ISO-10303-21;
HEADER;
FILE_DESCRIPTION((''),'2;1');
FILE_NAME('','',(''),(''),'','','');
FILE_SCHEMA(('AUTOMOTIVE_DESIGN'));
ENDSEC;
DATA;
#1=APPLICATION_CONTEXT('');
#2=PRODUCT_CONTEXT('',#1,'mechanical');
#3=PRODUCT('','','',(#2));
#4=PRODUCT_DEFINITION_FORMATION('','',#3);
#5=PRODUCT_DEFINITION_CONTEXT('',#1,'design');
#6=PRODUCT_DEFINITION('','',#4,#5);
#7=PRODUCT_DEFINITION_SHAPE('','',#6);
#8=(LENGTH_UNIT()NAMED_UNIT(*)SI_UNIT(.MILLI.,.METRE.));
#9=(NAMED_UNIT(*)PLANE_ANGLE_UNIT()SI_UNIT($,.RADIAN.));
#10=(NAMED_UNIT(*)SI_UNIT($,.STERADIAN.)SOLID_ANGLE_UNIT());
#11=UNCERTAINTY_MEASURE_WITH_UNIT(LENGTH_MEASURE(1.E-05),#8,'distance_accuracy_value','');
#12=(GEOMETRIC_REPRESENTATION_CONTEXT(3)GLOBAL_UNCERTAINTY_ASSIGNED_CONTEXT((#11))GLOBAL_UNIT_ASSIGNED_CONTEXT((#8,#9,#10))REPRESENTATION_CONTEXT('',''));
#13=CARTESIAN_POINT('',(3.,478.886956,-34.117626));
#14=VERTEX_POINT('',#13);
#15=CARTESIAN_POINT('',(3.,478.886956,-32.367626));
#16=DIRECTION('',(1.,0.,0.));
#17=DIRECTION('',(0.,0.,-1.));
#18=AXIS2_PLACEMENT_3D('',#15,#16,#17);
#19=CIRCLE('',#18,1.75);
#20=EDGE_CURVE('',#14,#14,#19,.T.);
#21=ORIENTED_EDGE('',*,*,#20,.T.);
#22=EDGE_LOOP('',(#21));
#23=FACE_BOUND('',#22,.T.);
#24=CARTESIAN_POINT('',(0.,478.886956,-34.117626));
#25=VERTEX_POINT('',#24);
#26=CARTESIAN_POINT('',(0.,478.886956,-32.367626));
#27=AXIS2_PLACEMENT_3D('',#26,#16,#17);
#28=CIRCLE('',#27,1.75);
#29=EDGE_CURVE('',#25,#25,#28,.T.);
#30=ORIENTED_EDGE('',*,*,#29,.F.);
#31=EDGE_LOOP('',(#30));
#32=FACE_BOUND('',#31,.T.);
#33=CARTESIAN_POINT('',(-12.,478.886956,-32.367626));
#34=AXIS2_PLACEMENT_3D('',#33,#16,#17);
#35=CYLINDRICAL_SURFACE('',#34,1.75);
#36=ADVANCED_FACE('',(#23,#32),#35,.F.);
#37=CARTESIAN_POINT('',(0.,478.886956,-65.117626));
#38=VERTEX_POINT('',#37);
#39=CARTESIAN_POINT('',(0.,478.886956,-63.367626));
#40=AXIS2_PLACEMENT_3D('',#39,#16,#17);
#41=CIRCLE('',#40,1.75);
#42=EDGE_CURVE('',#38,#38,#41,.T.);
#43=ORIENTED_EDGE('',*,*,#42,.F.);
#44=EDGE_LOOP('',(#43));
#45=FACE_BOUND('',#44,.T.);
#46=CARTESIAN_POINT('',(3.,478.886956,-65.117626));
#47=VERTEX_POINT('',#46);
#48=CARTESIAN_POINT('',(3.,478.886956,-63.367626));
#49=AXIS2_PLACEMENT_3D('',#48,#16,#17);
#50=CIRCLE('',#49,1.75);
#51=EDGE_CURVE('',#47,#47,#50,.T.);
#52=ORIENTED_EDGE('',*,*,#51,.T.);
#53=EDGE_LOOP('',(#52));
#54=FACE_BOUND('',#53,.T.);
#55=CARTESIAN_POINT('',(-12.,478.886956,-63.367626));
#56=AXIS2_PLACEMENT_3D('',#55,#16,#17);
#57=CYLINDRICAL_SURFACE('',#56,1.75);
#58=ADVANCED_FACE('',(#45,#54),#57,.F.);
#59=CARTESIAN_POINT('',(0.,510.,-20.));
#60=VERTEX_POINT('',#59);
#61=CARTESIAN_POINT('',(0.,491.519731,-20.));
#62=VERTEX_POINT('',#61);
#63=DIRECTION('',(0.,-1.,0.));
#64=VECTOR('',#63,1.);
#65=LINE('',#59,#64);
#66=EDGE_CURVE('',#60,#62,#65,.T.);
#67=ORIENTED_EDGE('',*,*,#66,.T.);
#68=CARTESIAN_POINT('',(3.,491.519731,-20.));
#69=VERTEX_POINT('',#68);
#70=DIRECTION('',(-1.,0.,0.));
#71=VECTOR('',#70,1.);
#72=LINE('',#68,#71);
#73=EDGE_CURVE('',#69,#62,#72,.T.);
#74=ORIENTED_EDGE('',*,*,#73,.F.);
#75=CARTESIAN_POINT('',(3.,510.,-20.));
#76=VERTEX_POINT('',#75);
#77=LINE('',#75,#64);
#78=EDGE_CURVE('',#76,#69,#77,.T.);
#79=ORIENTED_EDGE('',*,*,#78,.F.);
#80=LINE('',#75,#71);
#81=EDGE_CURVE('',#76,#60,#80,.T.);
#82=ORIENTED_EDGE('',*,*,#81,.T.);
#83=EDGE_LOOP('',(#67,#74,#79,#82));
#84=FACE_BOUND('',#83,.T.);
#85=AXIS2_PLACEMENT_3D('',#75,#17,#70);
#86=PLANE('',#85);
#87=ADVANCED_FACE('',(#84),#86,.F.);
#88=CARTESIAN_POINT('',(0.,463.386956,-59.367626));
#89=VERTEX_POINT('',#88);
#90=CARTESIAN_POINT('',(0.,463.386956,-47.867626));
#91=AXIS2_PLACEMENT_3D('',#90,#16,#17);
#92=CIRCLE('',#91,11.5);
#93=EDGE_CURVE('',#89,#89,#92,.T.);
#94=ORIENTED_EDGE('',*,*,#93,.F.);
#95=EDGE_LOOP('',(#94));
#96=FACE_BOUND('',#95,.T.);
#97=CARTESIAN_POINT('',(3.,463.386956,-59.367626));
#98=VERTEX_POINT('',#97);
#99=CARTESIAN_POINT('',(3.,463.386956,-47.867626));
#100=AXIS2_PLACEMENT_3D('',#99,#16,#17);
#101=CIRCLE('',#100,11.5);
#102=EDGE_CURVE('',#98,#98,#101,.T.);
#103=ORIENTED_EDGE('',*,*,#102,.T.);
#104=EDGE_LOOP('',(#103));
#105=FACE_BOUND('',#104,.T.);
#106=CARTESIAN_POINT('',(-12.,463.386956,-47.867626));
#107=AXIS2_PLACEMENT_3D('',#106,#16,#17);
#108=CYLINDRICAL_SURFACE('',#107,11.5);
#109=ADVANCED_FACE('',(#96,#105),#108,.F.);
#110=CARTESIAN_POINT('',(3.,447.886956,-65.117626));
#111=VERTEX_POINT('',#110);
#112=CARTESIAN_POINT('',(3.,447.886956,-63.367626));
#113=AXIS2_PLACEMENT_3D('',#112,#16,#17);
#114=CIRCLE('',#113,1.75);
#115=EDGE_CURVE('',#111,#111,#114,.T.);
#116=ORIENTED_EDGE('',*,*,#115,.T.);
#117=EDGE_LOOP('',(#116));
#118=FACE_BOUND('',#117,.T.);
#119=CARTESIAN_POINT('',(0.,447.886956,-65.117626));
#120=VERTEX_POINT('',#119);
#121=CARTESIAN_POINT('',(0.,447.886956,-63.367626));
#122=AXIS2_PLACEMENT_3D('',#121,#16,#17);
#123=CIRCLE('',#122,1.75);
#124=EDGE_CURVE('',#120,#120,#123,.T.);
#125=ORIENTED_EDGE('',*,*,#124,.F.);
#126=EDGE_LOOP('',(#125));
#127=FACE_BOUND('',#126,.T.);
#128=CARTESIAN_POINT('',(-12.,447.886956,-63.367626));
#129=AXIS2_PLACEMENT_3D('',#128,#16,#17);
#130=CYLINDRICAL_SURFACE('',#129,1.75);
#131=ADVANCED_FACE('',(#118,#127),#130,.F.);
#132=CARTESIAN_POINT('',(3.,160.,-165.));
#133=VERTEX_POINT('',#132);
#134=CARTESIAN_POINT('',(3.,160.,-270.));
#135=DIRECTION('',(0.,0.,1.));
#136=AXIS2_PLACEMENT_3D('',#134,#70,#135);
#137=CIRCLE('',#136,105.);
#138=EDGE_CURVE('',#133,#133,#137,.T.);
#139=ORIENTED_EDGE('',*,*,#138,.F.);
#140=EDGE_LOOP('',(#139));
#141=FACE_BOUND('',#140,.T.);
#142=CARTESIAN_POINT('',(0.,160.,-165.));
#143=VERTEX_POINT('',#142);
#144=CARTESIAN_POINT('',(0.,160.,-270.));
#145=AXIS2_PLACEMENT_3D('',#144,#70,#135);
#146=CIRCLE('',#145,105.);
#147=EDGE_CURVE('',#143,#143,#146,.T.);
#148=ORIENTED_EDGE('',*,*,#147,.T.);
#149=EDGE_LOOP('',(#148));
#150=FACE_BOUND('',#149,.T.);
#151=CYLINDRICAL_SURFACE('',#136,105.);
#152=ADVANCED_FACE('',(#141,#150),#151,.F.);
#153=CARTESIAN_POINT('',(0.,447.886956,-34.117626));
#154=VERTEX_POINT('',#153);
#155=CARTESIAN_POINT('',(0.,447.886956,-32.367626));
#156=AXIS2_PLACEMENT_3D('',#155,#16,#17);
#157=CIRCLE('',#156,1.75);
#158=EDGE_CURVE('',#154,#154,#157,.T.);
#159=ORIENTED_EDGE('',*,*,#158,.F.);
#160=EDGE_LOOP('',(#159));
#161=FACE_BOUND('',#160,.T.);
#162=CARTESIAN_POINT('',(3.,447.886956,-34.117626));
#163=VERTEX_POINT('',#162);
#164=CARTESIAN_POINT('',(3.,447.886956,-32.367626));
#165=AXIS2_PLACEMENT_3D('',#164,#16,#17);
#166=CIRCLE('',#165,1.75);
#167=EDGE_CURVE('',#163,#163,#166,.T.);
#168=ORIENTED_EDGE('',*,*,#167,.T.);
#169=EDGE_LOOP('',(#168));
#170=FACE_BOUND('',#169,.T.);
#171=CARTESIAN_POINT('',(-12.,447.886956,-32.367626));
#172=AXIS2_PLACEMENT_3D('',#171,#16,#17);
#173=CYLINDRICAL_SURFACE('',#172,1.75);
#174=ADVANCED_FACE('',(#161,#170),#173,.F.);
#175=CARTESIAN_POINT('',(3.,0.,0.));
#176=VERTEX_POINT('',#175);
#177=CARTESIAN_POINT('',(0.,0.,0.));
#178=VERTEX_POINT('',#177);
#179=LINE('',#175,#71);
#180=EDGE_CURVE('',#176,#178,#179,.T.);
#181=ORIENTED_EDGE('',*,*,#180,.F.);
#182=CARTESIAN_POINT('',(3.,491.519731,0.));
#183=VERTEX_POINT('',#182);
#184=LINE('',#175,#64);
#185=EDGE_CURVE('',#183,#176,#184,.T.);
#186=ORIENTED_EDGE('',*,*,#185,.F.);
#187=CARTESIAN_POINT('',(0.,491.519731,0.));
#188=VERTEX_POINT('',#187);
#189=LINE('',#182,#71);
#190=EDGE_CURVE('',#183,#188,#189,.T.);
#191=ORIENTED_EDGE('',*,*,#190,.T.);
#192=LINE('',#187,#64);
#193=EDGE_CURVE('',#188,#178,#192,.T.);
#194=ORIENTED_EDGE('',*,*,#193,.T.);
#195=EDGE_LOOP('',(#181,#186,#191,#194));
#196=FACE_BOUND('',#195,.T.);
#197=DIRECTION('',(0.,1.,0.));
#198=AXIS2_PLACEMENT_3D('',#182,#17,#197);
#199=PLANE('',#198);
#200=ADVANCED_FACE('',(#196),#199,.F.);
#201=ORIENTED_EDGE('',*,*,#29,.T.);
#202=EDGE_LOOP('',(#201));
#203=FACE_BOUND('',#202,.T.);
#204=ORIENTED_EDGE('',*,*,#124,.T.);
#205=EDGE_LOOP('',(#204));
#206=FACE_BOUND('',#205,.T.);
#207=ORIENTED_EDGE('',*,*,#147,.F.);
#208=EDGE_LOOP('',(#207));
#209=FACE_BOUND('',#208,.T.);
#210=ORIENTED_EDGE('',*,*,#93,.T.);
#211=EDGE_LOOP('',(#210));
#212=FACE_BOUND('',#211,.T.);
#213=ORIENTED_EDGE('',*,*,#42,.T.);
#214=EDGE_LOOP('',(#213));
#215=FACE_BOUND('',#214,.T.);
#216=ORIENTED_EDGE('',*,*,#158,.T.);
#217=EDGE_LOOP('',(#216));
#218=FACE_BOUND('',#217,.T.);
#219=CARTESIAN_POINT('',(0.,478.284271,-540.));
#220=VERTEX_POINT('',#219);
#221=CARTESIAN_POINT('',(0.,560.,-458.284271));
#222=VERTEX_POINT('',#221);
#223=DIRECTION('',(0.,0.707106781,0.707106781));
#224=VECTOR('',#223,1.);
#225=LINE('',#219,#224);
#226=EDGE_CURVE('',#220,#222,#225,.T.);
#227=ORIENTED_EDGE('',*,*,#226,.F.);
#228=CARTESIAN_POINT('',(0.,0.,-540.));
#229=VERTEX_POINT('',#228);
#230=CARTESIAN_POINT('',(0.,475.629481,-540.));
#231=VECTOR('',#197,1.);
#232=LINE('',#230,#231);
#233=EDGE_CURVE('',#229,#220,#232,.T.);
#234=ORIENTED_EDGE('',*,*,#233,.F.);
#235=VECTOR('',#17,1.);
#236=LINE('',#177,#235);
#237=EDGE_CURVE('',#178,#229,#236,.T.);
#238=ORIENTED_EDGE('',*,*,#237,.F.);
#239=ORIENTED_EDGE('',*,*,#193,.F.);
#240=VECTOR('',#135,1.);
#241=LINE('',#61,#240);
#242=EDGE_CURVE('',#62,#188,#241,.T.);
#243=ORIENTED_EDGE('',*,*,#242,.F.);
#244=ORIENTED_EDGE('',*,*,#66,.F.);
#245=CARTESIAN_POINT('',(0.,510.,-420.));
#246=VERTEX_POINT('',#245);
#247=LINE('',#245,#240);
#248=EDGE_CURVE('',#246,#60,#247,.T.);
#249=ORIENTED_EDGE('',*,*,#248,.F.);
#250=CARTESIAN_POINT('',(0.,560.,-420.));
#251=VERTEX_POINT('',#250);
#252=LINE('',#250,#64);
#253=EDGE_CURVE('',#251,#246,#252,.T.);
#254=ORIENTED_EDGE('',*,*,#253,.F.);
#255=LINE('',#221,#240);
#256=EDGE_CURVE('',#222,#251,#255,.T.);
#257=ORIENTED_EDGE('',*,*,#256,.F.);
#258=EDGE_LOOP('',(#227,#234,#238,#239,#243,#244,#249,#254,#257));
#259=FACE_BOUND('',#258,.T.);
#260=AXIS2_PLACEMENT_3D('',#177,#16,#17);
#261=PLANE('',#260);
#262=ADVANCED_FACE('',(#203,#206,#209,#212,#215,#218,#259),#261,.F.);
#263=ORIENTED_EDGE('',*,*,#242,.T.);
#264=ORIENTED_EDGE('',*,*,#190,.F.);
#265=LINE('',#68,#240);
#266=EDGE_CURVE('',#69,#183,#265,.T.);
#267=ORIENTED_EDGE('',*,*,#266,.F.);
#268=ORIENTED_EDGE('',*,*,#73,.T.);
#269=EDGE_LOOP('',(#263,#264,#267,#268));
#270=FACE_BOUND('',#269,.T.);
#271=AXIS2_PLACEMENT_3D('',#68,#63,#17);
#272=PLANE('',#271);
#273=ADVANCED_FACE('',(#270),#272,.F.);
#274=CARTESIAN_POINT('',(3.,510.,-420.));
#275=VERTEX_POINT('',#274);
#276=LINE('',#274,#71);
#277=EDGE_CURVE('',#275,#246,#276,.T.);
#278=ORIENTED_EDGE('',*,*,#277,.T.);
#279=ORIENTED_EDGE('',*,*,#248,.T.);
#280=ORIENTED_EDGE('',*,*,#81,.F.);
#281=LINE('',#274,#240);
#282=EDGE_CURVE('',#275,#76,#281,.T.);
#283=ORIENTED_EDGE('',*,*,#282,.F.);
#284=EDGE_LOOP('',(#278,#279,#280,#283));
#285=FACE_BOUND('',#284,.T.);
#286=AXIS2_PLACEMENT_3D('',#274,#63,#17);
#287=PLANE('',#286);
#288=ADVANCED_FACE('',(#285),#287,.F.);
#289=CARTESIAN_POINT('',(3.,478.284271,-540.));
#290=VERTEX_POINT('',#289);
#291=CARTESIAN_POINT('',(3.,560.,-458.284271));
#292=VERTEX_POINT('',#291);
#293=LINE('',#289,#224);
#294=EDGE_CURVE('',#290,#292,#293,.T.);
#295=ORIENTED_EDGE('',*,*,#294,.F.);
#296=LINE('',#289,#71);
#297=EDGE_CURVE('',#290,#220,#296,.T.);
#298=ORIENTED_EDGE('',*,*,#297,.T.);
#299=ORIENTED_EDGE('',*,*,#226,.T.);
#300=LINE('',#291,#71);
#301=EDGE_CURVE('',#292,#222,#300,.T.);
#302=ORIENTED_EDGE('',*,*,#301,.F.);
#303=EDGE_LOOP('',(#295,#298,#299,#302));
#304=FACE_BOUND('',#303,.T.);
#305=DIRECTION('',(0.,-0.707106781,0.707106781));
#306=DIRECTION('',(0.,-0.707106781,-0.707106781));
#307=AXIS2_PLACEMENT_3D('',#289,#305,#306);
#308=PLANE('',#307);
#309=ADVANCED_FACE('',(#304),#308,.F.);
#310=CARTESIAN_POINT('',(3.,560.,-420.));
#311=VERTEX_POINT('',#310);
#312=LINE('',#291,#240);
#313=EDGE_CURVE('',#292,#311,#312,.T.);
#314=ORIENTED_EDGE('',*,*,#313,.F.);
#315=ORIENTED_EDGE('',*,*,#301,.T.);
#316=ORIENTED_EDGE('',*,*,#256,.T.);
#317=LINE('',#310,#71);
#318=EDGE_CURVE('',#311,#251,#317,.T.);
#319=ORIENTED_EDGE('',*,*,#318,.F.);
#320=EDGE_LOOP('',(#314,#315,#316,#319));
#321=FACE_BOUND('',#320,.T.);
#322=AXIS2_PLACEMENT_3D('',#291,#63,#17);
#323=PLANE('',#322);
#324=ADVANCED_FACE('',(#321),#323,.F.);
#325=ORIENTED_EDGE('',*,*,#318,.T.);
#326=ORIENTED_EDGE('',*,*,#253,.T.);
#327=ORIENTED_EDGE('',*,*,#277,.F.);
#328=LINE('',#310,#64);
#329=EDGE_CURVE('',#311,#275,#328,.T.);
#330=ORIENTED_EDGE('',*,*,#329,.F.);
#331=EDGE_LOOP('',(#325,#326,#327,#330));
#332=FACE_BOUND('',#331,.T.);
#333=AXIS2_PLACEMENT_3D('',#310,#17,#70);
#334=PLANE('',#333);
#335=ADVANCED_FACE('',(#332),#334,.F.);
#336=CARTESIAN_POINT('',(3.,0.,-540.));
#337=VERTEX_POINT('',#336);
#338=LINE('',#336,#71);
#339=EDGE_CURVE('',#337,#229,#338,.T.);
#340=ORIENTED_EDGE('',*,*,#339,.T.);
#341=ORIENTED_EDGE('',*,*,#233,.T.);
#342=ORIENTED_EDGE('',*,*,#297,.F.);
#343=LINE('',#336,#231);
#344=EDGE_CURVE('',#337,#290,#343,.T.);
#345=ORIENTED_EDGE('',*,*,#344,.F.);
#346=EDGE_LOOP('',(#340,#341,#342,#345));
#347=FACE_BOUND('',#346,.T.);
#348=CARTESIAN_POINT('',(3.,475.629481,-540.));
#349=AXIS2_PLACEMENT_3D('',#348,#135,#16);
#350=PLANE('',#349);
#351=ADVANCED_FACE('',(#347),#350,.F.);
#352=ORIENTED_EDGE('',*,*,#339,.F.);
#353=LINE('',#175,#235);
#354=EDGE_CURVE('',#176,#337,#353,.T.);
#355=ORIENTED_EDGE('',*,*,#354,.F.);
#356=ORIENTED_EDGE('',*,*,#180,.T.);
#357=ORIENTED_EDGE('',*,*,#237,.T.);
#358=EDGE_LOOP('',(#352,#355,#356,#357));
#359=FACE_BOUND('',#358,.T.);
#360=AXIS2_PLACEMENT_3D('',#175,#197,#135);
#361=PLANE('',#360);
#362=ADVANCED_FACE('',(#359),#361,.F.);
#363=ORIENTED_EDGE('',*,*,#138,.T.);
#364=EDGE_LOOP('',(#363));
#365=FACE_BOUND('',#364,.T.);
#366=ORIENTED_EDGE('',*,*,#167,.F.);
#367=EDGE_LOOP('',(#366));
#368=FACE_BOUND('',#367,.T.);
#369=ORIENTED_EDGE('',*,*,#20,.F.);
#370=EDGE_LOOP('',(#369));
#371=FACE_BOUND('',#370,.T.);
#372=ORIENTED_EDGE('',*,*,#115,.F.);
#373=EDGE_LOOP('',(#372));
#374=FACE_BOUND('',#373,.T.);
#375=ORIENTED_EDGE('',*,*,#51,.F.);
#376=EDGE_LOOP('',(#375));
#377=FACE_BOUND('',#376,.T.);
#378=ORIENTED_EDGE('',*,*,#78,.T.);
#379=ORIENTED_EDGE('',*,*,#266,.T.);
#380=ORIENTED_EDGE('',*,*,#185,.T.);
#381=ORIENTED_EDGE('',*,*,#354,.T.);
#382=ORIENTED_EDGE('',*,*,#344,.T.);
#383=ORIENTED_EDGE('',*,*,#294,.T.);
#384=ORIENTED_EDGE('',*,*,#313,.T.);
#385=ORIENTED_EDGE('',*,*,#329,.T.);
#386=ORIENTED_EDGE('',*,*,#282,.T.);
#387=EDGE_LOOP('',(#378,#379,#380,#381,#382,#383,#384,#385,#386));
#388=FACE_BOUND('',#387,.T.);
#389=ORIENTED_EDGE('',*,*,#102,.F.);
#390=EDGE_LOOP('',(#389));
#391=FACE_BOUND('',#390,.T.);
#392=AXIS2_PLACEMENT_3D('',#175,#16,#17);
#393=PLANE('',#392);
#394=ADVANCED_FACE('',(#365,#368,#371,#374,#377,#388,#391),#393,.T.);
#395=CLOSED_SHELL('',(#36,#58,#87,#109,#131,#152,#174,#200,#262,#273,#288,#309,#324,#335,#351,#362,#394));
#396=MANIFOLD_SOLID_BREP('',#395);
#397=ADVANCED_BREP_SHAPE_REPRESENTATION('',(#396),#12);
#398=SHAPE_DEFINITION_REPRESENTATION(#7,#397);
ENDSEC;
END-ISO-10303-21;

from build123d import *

# Parameters (mm, degrees)
BOSS_EXTRUDE1_DEPTH = 3
SKETCH3_R           = 105
CUT_EXTRUDE1_DEPTH  = 3
SKETCH4_R           = 1.75
SKETCH4_R_2         = 11.5
CUT_EXTRUDE2_DEPTH  = 15


with BuildPart() as part:
    # Sketch1 → Boss-Extrude1 (new body)
    with BuildSketch(Plane(origin=(0, 0, 0), x_dir=(0, 0, -1), z_dir=(1, 0, 0))):
        Polygon((540, 475.629480553), (540, 478.284271247), (458.284271247, 560), (420, 560), (420, 510), (20, 510), (20, 491.519731167), (0, 491.519731167), (0, 475.629480553), (0, 0), (540, 0), align=None)
    extrude(amount=BOSS_EXTRUDE1_DEPTH)

    # Sketch3 → Cut-Extrude1 (cut)
    with BuildSketch(Plane.ZY):
        with Locations((-270, 160)):
            Circle(SKETCH3_R)
    extrude(amount=-CUT_EXTRUDE1_DEPTH, mode=Mode.SUBTRACT)

    # Sketch4 → Cut-Extrude2 (cut)
    with BuildSketch(Plane(origin=(3, 0, 0), x_dir=(0, 0, -1), z_dir=(1, 0, 0))):
        with Locations((32.367626301, 478.88695563)):
            Circle(SKETCH4_R)
        with Locations((32.367626301, 447.88695563)):
            Circle(SKETCH4_R)
        with Locations((63.367626301, 447.88695563)):
            Circle(SKETCH4_R)
        with Locations((63.367626301, 478.88695563)):
            Circle(SKETCH4_R)
        with Locations((47.867626301, 463.38695563)):
            Circle(SKETCH4_R_2)
    extrude(amount=-CUT_EXTRUDE2_DEPTH, mode=Mode.SUBTRACT)


solid = part.part
